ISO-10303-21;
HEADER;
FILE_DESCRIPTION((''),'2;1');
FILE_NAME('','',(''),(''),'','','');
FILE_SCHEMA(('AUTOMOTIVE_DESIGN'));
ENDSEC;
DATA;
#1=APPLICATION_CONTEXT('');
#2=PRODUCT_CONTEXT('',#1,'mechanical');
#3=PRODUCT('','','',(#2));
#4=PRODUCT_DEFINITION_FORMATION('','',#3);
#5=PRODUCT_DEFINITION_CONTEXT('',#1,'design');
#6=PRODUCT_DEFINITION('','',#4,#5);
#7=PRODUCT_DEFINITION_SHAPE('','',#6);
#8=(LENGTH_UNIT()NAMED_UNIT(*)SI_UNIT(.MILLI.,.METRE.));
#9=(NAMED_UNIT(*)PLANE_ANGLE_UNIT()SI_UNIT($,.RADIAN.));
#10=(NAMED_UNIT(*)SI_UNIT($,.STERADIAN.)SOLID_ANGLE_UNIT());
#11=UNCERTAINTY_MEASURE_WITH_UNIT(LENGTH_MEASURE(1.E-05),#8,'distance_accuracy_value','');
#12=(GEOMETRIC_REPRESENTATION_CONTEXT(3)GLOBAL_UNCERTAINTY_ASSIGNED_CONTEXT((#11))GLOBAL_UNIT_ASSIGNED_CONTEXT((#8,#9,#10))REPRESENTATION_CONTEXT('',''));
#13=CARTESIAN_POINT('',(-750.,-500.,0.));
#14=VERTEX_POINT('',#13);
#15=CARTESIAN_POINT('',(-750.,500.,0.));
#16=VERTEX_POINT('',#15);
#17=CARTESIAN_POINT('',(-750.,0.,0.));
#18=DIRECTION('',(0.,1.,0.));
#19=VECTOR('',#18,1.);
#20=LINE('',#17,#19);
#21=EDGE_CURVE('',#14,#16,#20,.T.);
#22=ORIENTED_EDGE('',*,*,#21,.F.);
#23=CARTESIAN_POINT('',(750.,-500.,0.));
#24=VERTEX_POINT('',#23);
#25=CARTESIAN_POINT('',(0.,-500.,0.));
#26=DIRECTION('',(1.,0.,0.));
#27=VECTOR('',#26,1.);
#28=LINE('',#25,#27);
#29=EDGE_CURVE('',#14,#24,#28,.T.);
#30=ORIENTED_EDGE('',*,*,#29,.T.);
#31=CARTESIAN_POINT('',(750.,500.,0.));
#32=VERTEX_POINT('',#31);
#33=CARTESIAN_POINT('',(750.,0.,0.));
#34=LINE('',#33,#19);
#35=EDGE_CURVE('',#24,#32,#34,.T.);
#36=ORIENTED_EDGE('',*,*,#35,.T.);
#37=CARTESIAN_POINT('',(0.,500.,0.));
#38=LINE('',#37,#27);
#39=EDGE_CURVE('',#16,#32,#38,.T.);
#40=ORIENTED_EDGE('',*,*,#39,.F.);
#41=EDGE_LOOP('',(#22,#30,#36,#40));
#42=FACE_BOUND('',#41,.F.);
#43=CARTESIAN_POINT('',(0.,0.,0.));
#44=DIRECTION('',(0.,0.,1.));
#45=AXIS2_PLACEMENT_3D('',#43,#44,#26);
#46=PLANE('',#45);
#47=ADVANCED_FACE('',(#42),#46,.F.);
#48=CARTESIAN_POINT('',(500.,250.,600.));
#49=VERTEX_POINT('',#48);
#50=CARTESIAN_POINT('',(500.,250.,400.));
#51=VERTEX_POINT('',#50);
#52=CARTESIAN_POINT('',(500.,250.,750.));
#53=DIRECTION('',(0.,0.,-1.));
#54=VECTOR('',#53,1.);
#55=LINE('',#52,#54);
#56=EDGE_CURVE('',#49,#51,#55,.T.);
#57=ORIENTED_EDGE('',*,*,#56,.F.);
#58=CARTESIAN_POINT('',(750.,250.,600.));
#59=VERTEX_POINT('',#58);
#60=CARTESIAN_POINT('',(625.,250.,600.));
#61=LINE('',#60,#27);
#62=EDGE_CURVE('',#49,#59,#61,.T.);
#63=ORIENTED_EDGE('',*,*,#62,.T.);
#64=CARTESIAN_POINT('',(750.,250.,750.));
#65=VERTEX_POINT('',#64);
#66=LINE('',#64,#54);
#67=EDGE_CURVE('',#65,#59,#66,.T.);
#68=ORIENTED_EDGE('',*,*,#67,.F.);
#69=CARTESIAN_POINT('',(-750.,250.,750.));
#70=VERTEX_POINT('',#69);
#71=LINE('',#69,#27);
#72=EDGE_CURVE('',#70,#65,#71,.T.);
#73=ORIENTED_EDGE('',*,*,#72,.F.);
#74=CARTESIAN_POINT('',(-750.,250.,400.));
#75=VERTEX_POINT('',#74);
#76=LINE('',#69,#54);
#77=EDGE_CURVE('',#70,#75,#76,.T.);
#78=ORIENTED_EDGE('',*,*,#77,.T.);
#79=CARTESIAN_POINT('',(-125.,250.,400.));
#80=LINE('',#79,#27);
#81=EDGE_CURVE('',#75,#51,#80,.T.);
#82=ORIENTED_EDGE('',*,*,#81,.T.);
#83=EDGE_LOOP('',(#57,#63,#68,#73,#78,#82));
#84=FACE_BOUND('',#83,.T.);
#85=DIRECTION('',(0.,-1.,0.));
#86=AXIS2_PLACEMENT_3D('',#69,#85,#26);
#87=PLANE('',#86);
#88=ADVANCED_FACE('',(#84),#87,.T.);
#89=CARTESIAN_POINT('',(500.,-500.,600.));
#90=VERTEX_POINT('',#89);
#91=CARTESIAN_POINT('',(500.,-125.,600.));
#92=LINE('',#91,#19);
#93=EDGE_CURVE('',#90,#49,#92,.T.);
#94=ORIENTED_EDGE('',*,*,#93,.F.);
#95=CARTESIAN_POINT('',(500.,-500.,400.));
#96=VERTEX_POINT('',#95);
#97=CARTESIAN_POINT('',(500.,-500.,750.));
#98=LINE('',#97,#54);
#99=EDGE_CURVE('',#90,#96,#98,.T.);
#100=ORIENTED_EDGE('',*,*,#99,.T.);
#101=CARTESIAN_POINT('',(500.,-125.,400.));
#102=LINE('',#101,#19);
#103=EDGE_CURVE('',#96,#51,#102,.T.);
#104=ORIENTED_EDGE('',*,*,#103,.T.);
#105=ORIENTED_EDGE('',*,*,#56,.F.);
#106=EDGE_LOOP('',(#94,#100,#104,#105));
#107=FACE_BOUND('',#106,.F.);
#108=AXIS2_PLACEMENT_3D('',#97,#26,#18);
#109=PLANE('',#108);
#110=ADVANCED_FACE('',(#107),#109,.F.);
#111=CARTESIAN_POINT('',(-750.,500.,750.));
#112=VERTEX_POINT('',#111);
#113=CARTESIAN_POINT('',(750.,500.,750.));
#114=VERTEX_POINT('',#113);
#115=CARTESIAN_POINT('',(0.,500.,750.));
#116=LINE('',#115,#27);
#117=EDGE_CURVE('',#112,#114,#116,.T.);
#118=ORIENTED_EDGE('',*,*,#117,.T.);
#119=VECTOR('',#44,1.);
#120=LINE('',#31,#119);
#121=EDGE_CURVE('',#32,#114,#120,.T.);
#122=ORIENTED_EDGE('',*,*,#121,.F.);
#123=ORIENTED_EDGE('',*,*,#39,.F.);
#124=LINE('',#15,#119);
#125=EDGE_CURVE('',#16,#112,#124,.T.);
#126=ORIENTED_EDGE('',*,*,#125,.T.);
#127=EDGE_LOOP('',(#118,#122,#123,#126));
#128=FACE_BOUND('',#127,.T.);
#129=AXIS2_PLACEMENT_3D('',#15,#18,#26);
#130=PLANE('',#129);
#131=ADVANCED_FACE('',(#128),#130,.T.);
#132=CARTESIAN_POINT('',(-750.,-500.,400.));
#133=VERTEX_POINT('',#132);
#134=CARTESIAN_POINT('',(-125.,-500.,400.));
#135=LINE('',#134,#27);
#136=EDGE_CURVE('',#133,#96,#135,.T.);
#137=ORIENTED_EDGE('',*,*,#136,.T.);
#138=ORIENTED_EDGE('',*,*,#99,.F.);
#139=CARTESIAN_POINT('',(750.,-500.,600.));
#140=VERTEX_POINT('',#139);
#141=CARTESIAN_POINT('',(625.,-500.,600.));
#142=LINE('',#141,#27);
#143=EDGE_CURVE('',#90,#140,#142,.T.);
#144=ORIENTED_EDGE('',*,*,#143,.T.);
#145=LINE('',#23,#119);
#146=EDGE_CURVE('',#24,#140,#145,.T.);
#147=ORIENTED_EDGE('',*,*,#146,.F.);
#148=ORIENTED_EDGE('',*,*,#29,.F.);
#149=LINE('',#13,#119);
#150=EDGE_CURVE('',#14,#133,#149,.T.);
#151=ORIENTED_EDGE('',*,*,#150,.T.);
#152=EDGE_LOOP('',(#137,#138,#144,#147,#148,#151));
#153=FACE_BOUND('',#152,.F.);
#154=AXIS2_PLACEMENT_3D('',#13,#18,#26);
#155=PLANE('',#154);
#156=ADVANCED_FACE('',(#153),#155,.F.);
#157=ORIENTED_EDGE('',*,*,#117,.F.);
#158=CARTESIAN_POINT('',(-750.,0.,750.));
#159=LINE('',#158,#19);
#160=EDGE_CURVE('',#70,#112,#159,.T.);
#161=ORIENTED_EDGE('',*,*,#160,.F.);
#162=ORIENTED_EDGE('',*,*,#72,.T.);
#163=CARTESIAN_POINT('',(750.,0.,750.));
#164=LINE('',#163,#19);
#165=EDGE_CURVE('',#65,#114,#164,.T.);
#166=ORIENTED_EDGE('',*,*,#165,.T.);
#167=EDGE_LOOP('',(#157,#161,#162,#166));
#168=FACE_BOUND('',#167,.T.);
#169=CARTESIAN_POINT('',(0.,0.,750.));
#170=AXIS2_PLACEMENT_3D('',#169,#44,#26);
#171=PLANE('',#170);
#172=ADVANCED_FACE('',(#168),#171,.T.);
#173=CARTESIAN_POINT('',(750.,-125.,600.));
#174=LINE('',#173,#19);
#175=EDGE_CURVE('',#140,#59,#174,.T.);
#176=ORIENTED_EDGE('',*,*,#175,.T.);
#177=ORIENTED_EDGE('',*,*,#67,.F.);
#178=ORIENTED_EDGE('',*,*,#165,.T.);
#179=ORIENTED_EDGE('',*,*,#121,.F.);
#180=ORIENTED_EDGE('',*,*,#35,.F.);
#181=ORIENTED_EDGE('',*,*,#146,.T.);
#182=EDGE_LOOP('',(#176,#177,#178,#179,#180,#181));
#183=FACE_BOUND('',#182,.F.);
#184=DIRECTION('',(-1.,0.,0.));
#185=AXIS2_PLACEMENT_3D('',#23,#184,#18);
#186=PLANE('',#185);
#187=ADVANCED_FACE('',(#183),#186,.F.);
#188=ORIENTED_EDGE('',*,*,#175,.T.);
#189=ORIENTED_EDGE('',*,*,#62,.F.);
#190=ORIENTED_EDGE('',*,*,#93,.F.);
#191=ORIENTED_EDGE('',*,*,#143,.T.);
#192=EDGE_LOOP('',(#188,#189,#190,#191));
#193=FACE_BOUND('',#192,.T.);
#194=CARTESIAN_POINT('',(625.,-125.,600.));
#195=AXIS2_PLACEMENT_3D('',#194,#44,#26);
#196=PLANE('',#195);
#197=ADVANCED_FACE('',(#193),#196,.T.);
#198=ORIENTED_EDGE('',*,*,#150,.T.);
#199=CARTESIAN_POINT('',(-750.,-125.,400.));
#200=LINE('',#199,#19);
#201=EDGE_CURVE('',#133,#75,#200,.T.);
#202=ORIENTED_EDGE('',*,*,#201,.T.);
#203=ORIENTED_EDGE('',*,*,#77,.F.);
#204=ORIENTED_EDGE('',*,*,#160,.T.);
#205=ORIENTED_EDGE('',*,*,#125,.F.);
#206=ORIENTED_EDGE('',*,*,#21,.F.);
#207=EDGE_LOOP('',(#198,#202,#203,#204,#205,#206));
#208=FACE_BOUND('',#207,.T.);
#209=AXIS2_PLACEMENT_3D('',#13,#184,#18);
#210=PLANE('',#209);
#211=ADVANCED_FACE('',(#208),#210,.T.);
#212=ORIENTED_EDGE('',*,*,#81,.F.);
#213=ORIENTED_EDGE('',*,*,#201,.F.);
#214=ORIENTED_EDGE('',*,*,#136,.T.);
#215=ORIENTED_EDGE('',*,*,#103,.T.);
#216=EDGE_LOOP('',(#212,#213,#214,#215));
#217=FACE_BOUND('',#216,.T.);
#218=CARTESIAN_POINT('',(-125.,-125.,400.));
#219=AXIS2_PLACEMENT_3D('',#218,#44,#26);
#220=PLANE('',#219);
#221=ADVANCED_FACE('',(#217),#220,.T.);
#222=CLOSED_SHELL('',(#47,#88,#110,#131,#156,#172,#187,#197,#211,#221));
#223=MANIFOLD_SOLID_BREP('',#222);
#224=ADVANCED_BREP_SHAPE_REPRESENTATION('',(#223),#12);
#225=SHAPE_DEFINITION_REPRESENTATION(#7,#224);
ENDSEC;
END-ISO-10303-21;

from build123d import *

# Parameters (mm, degrees)
F0_W     = 1500
F0_H     = 1000
F1_DEPTH = 750
F2_W     = 1250
F2_H     = 750
F3_DEPTH = 350
F4_W     = 250
F4_H     = 750
F5_DEPTH = 150


with BuildPart() as f1:
    # F0 (on Top) → F1 (new body)
    with BuildSketch(Plane.XY):
        Rectangle(F0_W, F0_H)
    extrude(amount=F1_DEPTH)

    # F2 (on face) → F3 (cut)
    with BuildSketch(Plane.XY.offset(750)):
        with Locations((-125, -125)):
            Rectangle(F2_W, F2_H)
    extrude(amount=-F3_DEPTH, mode=Mode.SUBTRACT)

    # F4 (on face) → F5 (cut)
    with BuildSketch(Plane.XY.offset(750)):
        with Locations((625, -125)):
            Rectangle(F4_W, F4_H)
    extrude(amount=-F5_DEPTH, mode=Mode.SUBTRACT)


solid = f1.part
